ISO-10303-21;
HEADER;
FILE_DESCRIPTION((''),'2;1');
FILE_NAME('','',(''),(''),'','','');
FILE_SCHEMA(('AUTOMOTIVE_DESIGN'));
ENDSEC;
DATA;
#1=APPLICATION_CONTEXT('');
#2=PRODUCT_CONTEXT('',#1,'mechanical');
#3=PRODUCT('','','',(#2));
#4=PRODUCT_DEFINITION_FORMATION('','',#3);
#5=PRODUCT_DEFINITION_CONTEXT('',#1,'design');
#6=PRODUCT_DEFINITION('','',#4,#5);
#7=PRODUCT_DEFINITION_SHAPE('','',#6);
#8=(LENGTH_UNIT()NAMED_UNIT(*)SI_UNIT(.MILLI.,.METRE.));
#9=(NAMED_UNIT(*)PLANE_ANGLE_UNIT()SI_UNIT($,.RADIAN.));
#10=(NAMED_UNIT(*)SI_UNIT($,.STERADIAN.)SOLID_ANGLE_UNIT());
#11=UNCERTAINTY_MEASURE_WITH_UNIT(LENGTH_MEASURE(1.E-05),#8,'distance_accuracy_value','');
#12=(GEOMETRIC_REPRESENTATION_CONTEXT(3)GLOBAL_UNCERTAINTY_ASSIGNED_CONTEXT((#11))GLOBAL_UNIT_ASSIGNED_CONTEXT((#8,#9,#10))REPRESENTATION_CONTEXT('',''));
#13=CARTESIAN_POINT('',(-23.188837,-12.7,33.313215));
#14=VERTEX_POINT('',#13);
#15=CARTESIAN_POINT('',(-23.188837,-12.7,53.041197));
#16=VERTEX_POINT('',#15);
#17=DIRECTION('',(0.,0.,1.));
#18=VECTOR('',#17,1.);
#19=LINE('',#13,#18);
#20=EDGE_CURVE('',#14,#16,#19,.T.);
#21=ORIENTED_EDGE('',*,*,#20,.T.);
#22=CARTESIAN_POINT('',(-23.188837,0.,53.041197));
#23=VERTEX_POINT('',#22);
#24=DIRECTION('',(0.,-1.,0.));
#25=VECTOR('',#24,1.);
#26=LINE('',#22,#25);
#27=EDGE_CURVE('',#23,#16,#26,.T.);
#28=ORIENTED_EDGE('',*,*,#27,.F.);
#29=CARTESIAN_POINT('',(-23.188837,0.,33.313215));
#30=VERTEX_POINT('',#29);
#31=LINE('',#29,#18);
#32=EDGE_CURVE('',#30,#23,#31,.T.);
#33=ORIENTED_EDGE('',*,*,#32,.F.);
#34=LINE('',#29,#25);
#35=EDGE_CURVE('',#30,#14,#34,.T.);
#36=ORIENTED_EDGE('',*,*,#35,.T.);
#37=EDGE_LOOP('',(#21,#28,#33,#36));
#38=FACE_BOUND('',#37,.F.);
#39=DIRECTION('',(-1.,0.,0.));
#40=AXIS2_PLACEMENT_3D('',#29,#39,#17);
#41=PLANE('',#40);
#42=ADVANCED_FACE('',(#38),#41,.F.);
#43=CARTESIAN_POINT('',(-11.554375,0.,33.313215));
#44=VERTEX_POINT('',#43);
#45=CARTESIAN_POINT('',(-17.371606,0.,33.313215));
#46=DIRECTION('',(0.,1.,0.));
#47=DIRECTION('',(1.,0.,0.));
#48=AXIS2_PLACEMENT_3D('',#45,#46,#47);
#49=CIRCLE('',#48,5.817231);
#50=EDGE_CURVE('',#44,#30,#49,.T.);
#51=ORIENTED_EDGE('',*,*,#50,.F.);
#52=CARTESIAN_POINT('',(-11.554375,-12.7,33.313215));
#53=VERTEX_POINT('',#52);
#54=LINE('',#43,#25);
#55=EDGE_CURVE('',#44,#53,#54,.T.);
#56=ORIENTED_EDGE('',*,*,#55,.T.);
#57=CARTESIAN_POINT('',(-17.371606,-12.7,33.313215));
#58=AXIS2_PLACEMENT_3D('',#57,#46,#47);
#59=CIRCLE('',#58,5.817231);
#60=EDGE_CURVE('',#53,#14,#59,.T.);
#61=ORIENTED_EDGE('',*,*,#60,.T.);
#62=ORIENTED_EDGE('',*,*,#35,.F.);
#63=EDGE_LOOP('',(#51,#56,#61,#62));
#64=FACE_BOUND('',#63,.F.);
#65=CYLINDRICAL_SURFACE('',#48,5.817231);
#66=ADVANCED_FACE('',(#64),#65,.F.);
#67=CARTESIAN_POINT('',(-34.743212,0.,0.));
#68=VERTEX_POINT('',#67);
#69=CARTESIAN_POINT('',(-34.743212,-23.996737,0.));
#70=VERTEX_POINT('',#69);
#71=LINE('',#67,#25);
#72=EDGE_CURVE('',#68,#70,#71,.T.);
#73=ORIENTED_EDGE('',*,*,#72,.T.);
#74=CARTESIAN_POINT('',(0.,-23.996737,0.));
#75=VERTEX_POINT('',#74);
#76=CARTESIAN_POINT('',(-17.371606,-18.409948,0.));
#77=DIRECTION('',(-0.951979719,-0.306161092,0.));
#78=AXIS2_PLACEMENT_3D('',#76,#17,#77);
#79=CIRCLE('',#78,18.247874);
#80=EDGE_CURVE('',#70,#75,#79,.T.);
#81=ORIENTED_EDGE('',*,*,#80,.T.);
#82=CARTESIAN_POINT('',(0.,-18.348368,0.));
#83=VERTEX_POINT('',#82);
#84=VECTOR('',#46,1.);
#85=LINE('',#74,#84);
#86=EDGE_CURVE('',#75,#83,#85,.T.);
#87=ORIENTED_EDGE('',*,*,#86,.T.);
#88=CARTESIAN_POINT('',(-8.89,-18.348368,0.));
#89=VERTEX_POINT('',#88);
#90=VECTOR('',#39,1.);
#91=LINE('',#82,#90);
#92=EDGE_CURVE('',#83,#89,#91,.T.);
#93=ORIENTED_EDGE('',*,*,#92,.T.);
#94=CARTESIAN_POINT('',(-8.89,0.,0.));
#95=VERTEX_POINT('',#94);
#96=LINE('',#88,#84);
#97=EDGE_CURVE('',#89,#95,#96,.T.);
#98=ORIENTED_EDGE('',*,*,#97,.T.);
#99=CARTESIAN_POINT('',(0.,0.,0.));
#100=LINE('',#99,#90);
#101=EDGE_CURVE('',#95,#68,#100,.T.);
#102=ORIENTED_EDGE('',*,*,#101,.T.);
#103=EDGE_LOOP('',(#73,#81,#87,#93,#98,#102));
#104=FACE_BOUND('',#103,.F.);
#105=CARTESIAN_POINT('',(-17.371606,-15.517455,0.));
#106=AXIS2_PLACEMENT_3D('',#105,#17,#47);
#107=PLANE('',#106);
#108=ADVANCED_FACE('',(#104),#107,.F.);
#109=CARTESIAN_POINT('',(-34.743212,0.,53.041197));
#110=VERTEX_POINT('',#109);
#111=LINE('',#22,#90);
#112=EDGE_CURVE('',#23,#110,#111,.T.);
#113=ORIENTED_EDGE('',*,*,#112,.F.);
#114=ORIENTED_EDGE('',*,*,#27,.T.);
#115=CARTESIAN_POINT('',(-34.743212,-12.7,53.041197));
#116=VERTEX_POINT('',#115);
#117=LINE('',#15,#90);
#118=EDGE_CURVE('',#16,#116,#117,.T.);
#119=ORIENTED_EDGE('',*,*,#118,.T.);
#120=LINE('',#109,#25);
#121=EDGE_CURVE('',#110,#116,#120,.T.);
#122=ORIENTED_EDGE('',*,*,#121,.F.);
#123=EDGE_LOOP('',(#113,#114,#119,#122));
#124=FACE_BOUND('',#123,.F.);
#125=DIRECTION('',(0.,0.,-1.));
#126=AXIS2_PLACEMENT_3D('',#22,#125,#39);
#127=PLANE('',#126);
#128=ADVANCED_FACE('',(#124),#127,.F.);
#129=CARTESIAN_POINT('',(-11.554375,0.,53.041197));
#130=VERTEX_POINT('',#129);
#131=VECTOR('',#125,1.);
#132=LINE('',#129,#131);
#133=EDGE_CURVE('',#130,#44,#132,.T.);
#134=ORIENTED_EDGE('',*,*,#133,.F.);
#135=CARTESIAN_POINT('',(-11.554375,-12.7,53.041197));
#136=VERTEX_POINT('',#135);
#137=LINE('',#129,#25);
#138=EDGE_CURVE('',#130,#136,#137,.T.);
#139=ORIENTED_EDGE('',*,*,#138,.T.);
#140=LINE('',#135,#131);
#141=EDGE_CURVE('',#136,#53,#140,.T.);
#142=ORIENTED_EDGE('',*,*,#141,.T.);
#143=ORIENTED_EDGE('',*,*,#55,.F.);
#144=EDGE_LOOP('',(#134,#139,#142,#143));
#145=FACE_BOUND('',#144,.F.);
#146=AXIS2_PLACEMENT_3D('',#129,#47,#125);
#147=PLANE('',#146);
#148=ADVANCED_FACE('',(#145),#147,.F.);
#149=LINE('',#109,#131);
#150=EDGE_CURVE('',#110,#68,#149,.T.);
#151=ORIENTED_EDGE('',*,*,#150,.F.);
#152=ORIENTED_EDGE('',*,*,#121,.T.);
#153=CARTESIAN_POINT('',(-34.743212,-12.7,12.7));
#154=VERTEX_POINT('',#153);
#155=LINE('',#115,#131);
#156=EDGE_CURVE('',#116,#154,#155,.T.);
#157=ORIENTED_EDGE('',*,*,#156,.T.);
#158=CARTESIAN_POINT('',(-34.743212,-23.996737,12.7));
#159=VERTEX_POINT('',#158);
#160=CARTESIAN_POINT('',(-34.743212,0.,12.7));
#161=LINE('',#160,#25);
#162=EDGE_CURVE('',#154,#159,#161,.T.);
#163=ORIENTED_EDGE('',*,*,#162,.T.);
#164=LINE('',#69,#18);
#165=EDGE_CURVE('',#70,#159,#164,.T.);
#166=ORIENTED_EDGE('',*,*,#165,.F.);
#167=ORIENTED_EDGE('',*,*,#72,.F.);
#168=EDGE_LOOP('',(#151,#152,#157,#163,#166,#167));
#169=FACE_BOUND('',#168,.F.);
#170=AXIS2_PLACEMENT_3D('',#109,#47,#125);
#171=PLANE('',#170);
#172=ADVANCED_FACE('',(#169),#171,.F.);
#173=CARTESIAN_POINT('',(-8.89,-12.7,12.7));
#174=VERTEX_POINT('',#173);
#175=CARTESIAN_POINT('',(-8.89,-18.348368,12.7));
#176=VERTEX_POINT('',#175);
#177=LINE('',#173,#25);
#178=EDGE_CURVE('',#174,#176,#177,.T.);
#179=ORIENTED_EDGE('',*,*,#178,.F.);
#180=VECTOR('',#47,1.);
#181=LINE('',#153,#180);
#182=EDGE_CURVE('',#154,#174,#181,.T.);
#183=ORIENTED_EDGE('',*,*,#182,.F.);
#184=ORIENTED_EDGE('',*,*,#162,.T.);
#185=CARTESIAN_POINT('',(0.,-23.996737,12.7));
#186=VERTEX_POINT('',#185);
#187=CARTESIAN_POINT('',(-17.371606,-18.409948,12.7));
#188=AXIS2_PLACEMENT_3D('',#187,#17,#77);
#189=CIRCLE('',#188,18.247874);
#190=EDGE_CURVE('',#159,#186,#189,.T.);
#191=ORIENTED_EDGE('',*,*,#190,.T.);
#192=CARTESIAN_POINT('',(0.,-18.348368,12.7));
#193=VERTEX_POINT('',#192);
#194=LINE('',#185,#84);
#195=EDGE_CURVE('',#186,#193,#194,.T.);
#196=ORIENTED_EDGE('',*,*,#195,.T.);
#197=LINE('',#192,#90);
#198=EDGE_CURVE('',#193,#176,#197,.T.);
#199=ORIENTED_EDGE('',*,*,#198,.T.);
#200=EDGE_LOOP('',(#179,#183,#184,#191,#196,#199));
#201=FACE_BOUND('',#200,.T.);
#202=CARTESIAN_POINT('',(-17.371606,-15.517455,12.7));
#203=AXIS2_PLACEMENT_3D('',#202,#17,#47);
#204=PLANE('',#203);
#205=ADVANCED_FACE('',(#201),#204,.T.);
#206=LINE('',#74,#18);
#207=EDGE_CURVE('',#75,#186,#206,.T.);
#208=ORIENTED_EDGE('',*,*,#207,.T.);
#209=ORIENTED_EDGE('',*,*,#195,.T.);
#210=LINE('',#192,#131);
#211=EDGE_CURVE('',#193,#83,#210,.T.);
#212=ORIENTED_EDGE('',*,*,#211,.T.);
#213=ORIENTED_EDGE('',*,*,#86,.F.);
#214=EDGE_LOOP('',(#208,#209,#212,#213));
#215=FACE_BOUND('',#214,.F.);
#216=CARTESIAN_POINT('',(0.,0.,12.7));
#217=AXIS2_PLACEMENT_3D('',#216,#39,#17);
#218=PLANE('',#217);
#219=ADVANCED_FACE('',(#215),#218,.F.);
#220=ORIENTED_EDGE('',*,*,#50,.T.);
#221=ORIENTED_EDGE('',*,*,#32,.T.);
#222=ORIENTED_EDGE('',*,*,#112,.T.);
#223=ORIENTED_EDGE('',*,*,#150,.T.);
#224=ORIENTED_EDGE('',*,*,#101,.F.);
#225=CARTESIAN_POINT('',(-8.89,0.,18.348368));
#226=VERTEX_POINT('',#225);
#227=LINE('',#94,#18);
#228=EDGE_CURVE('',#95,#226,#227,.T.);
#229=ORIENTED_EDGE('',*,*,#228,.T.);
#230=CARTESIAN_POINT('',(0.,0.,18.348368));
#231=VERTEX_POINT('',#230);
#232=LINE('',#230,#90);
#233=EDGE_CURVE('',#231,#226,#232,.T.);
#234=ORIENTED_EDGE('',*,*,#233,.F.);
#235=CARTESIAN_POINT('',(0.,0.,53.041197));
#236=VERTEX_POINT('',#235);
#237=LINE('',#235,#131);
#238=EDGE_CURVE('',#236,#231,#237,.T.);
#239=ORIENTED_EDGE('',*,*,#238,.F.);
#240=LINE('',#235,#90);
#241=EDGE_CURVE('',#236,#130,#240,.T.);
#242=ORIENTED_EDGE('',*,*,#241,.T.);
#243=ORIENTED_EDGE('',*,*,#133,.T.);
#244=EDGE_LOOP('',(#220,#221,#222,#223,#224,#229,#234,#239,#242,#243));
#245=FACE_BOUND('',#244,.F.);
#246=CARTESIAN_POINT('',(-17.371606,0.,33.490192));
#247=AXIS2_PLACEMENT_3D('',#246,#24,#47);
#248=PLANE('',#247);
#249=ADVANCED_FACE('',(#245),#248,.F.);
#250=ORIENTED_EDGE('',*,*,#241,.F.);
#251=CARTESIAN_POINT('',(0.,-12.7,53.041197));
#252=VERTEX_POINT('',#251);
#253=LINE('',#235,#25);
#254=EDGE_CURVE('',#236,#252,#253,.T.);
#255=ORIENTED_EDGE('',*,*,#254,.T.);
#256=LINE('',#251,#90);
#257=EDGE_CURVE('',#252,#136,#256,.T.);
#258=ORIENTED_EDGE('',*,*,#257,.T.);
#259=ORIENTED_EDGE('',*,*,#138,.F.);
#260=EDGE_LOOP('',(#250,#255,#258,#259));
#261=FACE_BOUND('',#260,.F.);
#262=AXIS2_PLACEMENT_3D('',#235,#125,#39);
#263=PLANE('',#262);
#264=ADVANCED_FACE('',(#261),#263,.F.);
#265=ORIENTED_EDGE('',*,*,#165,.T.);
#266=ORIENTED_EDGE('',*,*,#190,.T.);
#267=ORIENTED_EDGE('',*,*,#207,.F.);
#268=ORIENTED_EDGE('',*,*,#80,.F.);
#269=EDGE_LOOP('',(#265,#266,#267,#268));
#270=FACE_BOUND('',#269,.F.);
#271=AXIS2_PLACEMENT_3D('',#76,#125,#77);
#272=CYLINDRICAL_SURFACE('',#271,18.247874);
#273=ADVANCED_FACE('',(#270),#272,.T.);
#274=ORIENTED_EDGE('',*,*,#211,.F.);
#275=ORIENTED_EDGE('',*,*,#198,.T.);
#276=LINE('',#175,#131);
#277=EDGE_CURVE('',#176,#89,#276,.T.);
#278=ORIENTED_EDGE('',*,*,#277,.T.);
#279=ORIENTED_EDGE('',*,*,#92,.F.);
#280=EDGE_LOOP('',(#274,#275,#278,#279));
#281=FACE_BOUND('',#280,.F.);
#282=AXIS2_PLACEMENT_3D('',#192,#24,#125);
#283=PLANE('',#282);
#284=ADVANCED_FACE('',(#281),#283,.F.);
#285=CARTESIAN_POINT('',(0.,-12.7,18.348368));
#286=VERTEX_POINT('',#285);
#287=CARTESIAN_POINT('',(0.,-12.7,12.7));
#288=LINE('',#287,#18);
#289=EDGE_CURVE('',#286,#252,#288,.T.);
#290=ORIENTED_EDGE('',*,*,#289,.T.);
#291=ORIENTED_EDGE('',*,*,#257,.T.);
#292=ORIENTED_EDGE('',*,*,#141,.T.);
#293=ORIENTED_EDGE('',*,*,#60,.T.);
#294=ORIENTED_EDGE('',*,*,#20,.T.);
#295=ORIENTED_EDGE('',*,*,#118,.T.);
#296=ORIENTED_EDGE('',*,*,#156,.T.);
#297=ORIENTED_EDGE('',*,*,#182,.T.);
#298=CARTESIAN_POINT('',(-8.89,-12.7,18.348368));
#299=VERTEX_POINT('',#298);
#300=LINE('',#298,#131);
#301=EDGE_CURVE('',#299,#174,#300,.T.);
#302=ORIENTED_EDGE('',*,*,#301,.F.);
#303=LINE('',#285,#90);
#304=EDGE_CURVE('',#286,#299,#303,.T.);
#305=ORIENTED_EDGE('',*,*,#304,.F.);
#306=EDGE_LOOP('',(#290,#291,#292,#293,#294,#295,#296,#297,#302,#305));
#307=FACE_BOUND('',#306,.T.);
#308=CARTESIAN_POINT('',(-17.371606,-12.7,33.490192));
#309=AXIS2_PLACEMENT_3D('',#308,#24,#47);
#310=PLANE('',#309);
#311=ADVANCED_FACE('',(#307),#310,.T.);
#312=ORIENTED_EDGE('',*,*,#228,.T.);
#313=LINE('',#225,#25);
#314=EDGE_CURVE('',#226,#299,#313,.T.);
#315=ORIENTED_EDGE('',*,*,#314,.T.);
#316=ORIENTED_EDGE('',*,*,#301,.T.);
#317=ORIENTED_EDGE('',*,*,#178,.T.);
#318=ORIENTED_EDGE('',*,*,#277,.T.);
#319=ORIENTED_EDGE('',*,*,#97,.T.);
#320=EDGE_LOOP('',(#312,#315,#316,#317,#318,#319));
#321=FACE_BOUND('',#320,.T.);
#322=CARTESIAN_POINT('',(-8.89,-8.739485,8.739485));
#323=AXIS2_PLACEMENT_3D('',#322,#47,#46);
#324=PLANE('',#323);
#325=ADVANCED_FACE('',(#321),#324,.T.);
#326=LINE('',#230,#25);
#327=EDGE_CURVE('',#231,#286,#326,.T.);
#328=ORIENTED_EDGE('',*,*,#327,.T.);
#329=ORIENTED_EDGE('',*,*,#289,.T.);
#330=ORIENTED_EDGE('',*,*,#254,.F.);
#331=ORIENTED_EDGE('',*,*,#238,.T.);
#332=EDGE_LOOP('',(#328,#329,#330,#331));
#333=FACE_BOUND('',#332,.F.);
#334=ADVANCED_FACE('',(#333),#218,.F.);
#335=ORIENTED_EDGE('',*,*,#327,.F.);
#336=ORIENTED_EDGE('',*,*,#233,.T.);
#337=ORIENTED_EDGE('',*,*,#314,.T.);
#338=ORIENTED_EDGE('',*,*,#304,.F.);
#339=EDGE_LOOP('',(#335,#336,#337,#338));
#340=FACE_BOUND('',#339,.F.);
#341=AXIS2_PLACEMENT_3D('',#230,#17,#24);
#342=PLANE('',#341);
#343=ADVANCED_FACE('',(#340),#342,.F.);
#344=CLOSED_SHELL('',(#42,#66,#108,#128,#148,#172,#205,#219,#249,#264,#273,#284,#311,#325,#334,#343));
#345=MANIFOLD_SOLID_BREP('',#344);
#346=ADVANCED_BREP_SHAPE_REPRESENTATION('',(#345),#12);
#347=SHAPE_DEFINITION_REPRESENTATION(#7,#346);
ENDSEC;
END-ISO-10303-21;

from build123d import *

# Parameters (mm, degrees)
F1_DEPTH = 12.7
F3_DEPTH = 12.7
F5_DEPTH = 8.89


with BuildPart() as f1:
    # F0 (on Top) → F1 (new body)
    with BuildSketch(Plane.XY):
        with BuildLine():
            Line((0, -23.996737), (0, 0))
            Line((0, 0), (-34.743212, 0))
            Line((-34.743212, 0), (-34.743212, -23.996737))
            ThreePointArc((-34.743212, -23.996737), (-17.371606, -36.657822), (0, -23.996737))
        make_face()
    extrude(amount=F1_DEPTH)

    # F2 (on Front) → F3 (join)
    with BuildSketch(Plane.XZ):
        with BuildLine():
            Line((-34.743212, 53.041197), (-34.743212, 12.7))
            Line((-34.743212, 12.7), (0, 12.7))
            Line((0, 12.7), (0, 53.041197))
            Line((0, 53.041197), (-11.554375, 53.041197))
            Line((-11.554375, 53.041197), (-11.554375, 33.313215))
            ThreePointArc((-11.554375, 33.313215), (-17.371606, 27.495984), (-23.188837, 33.313215))
            Line((-23.188837, 33.313215), (-23.188837, 53.041197))
            Line((-23.188837, 53.041197), (-34.743212, 53.041197))
        make_face()
    extrude(amount=F3_DEPTH)

    # F4 (on face) → F5 (cut)
    with BuildSketch(Plane.YZ):
        Polygon((-18.348368, 0), (0, 0), (0, 18.348368), (-12.7, 18.348368), (-12.7, 12.7), (-18.348368, 12.7), align=None)
    extrude(amount=-F5_DEPTH, mode=Mode.SUBTRACT)


solid = f1.part
